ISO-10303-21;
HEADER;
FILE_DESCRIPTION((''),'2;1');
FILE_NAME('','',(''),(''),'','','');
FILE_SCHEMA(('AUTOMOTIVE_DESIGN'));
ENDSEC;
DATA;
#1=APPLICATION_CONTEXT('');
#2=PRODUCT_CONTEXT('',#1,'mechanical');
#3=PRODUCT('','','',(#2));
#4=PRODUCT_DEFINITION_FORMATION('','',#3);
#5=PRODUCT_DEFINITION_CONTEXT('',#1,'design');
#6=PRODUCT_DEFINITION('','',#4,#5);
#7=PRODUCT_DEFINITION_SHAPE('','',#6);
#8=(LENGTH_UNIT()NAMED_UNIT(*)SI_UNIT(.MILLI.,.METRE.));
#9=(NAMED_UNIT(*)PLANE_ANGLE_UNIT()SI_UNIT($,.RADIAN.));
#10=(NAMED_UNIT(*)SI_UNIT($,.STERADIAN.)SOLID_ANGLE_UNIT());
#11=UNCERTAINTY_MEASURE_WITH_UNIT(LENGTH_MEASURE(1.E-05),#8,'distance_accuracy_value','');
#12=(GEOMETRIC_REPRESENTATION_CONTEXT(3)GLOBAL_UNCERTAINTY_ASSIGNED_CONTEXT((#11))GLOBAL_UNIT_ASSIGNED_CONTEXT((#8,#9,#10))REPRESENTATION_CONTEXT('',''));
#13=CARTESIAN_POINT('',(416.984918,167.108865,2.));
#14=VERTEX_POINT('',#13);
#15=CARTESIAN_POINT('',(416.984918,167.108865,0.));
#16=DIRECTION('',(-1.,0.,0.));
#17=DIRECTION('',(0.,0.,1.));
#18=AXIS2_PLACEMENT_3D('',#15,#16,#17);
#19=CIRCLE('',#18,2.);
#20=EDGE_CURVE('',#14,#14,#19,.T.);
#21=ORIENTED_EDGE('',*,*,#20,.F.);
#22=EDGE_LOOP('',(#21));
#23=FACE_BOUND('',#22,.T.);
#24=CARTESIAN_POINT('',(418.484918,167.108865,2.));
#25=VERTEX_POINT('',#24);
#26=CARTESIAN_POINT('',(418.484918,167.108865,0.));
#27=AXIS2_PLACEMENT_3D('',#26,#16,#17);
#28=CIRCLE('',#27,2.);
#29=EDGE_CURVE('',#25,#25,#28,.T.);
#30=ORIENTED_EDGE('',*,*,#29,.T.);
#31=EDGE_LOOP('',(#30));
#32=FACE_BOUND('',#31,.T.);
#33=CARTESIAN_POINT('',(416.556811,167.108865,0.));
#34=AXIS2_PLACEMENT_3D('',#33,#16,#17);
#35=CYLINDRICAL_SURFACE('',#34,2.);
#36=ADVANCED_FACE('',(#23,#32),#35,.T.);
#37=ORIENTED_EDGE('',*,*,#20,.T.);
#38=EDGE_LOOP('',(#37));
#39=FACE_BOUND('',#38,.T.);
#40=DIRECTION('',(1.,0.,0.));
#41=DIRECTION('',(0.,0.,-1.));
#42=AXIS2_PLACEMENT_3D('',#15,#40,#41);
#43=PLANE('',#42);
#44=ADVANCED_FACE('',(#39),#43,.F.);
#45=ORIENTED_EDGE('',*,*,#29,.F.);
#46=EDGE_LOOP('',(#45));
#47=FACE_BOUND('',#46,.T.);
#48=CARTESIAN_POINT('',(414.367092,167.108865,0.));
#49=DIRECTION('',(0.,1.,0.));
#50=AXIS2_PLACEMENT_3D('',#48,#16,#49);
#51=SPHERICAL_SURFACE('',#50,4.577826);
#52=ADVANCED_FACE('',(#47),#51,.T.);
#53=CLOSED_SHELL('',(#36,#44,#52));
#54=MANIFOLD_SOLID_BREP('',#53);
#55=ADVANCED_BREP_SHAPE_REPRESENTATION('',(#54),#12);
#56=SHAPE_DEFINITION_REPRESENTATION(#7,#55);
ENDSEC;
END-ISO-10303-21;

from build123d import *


with BuildPart() as part:
    # 草图1 → 旋转1 (revolve)
    with BuildSketch(Plane.XY):
        with BuildLine():
            Line((416.98491772, 167.108864965), (416.98491772, 169.108864965))
            Line((416.98491772, 169.108864965), (418.48491772, 169.108864965))
            ThreePointArc((418.48491772, 169.108864965), (418.82843579, 168.134974121), (418.94491772, 167.108864965))
            Line((418.94491772, 167.108864965), (416.98491772, 167.108864965))
        make_face()
    revolve(axis=Axis((416.556811026, 167.108864965, 0), (1, 0, 0)))


solid = part.part
